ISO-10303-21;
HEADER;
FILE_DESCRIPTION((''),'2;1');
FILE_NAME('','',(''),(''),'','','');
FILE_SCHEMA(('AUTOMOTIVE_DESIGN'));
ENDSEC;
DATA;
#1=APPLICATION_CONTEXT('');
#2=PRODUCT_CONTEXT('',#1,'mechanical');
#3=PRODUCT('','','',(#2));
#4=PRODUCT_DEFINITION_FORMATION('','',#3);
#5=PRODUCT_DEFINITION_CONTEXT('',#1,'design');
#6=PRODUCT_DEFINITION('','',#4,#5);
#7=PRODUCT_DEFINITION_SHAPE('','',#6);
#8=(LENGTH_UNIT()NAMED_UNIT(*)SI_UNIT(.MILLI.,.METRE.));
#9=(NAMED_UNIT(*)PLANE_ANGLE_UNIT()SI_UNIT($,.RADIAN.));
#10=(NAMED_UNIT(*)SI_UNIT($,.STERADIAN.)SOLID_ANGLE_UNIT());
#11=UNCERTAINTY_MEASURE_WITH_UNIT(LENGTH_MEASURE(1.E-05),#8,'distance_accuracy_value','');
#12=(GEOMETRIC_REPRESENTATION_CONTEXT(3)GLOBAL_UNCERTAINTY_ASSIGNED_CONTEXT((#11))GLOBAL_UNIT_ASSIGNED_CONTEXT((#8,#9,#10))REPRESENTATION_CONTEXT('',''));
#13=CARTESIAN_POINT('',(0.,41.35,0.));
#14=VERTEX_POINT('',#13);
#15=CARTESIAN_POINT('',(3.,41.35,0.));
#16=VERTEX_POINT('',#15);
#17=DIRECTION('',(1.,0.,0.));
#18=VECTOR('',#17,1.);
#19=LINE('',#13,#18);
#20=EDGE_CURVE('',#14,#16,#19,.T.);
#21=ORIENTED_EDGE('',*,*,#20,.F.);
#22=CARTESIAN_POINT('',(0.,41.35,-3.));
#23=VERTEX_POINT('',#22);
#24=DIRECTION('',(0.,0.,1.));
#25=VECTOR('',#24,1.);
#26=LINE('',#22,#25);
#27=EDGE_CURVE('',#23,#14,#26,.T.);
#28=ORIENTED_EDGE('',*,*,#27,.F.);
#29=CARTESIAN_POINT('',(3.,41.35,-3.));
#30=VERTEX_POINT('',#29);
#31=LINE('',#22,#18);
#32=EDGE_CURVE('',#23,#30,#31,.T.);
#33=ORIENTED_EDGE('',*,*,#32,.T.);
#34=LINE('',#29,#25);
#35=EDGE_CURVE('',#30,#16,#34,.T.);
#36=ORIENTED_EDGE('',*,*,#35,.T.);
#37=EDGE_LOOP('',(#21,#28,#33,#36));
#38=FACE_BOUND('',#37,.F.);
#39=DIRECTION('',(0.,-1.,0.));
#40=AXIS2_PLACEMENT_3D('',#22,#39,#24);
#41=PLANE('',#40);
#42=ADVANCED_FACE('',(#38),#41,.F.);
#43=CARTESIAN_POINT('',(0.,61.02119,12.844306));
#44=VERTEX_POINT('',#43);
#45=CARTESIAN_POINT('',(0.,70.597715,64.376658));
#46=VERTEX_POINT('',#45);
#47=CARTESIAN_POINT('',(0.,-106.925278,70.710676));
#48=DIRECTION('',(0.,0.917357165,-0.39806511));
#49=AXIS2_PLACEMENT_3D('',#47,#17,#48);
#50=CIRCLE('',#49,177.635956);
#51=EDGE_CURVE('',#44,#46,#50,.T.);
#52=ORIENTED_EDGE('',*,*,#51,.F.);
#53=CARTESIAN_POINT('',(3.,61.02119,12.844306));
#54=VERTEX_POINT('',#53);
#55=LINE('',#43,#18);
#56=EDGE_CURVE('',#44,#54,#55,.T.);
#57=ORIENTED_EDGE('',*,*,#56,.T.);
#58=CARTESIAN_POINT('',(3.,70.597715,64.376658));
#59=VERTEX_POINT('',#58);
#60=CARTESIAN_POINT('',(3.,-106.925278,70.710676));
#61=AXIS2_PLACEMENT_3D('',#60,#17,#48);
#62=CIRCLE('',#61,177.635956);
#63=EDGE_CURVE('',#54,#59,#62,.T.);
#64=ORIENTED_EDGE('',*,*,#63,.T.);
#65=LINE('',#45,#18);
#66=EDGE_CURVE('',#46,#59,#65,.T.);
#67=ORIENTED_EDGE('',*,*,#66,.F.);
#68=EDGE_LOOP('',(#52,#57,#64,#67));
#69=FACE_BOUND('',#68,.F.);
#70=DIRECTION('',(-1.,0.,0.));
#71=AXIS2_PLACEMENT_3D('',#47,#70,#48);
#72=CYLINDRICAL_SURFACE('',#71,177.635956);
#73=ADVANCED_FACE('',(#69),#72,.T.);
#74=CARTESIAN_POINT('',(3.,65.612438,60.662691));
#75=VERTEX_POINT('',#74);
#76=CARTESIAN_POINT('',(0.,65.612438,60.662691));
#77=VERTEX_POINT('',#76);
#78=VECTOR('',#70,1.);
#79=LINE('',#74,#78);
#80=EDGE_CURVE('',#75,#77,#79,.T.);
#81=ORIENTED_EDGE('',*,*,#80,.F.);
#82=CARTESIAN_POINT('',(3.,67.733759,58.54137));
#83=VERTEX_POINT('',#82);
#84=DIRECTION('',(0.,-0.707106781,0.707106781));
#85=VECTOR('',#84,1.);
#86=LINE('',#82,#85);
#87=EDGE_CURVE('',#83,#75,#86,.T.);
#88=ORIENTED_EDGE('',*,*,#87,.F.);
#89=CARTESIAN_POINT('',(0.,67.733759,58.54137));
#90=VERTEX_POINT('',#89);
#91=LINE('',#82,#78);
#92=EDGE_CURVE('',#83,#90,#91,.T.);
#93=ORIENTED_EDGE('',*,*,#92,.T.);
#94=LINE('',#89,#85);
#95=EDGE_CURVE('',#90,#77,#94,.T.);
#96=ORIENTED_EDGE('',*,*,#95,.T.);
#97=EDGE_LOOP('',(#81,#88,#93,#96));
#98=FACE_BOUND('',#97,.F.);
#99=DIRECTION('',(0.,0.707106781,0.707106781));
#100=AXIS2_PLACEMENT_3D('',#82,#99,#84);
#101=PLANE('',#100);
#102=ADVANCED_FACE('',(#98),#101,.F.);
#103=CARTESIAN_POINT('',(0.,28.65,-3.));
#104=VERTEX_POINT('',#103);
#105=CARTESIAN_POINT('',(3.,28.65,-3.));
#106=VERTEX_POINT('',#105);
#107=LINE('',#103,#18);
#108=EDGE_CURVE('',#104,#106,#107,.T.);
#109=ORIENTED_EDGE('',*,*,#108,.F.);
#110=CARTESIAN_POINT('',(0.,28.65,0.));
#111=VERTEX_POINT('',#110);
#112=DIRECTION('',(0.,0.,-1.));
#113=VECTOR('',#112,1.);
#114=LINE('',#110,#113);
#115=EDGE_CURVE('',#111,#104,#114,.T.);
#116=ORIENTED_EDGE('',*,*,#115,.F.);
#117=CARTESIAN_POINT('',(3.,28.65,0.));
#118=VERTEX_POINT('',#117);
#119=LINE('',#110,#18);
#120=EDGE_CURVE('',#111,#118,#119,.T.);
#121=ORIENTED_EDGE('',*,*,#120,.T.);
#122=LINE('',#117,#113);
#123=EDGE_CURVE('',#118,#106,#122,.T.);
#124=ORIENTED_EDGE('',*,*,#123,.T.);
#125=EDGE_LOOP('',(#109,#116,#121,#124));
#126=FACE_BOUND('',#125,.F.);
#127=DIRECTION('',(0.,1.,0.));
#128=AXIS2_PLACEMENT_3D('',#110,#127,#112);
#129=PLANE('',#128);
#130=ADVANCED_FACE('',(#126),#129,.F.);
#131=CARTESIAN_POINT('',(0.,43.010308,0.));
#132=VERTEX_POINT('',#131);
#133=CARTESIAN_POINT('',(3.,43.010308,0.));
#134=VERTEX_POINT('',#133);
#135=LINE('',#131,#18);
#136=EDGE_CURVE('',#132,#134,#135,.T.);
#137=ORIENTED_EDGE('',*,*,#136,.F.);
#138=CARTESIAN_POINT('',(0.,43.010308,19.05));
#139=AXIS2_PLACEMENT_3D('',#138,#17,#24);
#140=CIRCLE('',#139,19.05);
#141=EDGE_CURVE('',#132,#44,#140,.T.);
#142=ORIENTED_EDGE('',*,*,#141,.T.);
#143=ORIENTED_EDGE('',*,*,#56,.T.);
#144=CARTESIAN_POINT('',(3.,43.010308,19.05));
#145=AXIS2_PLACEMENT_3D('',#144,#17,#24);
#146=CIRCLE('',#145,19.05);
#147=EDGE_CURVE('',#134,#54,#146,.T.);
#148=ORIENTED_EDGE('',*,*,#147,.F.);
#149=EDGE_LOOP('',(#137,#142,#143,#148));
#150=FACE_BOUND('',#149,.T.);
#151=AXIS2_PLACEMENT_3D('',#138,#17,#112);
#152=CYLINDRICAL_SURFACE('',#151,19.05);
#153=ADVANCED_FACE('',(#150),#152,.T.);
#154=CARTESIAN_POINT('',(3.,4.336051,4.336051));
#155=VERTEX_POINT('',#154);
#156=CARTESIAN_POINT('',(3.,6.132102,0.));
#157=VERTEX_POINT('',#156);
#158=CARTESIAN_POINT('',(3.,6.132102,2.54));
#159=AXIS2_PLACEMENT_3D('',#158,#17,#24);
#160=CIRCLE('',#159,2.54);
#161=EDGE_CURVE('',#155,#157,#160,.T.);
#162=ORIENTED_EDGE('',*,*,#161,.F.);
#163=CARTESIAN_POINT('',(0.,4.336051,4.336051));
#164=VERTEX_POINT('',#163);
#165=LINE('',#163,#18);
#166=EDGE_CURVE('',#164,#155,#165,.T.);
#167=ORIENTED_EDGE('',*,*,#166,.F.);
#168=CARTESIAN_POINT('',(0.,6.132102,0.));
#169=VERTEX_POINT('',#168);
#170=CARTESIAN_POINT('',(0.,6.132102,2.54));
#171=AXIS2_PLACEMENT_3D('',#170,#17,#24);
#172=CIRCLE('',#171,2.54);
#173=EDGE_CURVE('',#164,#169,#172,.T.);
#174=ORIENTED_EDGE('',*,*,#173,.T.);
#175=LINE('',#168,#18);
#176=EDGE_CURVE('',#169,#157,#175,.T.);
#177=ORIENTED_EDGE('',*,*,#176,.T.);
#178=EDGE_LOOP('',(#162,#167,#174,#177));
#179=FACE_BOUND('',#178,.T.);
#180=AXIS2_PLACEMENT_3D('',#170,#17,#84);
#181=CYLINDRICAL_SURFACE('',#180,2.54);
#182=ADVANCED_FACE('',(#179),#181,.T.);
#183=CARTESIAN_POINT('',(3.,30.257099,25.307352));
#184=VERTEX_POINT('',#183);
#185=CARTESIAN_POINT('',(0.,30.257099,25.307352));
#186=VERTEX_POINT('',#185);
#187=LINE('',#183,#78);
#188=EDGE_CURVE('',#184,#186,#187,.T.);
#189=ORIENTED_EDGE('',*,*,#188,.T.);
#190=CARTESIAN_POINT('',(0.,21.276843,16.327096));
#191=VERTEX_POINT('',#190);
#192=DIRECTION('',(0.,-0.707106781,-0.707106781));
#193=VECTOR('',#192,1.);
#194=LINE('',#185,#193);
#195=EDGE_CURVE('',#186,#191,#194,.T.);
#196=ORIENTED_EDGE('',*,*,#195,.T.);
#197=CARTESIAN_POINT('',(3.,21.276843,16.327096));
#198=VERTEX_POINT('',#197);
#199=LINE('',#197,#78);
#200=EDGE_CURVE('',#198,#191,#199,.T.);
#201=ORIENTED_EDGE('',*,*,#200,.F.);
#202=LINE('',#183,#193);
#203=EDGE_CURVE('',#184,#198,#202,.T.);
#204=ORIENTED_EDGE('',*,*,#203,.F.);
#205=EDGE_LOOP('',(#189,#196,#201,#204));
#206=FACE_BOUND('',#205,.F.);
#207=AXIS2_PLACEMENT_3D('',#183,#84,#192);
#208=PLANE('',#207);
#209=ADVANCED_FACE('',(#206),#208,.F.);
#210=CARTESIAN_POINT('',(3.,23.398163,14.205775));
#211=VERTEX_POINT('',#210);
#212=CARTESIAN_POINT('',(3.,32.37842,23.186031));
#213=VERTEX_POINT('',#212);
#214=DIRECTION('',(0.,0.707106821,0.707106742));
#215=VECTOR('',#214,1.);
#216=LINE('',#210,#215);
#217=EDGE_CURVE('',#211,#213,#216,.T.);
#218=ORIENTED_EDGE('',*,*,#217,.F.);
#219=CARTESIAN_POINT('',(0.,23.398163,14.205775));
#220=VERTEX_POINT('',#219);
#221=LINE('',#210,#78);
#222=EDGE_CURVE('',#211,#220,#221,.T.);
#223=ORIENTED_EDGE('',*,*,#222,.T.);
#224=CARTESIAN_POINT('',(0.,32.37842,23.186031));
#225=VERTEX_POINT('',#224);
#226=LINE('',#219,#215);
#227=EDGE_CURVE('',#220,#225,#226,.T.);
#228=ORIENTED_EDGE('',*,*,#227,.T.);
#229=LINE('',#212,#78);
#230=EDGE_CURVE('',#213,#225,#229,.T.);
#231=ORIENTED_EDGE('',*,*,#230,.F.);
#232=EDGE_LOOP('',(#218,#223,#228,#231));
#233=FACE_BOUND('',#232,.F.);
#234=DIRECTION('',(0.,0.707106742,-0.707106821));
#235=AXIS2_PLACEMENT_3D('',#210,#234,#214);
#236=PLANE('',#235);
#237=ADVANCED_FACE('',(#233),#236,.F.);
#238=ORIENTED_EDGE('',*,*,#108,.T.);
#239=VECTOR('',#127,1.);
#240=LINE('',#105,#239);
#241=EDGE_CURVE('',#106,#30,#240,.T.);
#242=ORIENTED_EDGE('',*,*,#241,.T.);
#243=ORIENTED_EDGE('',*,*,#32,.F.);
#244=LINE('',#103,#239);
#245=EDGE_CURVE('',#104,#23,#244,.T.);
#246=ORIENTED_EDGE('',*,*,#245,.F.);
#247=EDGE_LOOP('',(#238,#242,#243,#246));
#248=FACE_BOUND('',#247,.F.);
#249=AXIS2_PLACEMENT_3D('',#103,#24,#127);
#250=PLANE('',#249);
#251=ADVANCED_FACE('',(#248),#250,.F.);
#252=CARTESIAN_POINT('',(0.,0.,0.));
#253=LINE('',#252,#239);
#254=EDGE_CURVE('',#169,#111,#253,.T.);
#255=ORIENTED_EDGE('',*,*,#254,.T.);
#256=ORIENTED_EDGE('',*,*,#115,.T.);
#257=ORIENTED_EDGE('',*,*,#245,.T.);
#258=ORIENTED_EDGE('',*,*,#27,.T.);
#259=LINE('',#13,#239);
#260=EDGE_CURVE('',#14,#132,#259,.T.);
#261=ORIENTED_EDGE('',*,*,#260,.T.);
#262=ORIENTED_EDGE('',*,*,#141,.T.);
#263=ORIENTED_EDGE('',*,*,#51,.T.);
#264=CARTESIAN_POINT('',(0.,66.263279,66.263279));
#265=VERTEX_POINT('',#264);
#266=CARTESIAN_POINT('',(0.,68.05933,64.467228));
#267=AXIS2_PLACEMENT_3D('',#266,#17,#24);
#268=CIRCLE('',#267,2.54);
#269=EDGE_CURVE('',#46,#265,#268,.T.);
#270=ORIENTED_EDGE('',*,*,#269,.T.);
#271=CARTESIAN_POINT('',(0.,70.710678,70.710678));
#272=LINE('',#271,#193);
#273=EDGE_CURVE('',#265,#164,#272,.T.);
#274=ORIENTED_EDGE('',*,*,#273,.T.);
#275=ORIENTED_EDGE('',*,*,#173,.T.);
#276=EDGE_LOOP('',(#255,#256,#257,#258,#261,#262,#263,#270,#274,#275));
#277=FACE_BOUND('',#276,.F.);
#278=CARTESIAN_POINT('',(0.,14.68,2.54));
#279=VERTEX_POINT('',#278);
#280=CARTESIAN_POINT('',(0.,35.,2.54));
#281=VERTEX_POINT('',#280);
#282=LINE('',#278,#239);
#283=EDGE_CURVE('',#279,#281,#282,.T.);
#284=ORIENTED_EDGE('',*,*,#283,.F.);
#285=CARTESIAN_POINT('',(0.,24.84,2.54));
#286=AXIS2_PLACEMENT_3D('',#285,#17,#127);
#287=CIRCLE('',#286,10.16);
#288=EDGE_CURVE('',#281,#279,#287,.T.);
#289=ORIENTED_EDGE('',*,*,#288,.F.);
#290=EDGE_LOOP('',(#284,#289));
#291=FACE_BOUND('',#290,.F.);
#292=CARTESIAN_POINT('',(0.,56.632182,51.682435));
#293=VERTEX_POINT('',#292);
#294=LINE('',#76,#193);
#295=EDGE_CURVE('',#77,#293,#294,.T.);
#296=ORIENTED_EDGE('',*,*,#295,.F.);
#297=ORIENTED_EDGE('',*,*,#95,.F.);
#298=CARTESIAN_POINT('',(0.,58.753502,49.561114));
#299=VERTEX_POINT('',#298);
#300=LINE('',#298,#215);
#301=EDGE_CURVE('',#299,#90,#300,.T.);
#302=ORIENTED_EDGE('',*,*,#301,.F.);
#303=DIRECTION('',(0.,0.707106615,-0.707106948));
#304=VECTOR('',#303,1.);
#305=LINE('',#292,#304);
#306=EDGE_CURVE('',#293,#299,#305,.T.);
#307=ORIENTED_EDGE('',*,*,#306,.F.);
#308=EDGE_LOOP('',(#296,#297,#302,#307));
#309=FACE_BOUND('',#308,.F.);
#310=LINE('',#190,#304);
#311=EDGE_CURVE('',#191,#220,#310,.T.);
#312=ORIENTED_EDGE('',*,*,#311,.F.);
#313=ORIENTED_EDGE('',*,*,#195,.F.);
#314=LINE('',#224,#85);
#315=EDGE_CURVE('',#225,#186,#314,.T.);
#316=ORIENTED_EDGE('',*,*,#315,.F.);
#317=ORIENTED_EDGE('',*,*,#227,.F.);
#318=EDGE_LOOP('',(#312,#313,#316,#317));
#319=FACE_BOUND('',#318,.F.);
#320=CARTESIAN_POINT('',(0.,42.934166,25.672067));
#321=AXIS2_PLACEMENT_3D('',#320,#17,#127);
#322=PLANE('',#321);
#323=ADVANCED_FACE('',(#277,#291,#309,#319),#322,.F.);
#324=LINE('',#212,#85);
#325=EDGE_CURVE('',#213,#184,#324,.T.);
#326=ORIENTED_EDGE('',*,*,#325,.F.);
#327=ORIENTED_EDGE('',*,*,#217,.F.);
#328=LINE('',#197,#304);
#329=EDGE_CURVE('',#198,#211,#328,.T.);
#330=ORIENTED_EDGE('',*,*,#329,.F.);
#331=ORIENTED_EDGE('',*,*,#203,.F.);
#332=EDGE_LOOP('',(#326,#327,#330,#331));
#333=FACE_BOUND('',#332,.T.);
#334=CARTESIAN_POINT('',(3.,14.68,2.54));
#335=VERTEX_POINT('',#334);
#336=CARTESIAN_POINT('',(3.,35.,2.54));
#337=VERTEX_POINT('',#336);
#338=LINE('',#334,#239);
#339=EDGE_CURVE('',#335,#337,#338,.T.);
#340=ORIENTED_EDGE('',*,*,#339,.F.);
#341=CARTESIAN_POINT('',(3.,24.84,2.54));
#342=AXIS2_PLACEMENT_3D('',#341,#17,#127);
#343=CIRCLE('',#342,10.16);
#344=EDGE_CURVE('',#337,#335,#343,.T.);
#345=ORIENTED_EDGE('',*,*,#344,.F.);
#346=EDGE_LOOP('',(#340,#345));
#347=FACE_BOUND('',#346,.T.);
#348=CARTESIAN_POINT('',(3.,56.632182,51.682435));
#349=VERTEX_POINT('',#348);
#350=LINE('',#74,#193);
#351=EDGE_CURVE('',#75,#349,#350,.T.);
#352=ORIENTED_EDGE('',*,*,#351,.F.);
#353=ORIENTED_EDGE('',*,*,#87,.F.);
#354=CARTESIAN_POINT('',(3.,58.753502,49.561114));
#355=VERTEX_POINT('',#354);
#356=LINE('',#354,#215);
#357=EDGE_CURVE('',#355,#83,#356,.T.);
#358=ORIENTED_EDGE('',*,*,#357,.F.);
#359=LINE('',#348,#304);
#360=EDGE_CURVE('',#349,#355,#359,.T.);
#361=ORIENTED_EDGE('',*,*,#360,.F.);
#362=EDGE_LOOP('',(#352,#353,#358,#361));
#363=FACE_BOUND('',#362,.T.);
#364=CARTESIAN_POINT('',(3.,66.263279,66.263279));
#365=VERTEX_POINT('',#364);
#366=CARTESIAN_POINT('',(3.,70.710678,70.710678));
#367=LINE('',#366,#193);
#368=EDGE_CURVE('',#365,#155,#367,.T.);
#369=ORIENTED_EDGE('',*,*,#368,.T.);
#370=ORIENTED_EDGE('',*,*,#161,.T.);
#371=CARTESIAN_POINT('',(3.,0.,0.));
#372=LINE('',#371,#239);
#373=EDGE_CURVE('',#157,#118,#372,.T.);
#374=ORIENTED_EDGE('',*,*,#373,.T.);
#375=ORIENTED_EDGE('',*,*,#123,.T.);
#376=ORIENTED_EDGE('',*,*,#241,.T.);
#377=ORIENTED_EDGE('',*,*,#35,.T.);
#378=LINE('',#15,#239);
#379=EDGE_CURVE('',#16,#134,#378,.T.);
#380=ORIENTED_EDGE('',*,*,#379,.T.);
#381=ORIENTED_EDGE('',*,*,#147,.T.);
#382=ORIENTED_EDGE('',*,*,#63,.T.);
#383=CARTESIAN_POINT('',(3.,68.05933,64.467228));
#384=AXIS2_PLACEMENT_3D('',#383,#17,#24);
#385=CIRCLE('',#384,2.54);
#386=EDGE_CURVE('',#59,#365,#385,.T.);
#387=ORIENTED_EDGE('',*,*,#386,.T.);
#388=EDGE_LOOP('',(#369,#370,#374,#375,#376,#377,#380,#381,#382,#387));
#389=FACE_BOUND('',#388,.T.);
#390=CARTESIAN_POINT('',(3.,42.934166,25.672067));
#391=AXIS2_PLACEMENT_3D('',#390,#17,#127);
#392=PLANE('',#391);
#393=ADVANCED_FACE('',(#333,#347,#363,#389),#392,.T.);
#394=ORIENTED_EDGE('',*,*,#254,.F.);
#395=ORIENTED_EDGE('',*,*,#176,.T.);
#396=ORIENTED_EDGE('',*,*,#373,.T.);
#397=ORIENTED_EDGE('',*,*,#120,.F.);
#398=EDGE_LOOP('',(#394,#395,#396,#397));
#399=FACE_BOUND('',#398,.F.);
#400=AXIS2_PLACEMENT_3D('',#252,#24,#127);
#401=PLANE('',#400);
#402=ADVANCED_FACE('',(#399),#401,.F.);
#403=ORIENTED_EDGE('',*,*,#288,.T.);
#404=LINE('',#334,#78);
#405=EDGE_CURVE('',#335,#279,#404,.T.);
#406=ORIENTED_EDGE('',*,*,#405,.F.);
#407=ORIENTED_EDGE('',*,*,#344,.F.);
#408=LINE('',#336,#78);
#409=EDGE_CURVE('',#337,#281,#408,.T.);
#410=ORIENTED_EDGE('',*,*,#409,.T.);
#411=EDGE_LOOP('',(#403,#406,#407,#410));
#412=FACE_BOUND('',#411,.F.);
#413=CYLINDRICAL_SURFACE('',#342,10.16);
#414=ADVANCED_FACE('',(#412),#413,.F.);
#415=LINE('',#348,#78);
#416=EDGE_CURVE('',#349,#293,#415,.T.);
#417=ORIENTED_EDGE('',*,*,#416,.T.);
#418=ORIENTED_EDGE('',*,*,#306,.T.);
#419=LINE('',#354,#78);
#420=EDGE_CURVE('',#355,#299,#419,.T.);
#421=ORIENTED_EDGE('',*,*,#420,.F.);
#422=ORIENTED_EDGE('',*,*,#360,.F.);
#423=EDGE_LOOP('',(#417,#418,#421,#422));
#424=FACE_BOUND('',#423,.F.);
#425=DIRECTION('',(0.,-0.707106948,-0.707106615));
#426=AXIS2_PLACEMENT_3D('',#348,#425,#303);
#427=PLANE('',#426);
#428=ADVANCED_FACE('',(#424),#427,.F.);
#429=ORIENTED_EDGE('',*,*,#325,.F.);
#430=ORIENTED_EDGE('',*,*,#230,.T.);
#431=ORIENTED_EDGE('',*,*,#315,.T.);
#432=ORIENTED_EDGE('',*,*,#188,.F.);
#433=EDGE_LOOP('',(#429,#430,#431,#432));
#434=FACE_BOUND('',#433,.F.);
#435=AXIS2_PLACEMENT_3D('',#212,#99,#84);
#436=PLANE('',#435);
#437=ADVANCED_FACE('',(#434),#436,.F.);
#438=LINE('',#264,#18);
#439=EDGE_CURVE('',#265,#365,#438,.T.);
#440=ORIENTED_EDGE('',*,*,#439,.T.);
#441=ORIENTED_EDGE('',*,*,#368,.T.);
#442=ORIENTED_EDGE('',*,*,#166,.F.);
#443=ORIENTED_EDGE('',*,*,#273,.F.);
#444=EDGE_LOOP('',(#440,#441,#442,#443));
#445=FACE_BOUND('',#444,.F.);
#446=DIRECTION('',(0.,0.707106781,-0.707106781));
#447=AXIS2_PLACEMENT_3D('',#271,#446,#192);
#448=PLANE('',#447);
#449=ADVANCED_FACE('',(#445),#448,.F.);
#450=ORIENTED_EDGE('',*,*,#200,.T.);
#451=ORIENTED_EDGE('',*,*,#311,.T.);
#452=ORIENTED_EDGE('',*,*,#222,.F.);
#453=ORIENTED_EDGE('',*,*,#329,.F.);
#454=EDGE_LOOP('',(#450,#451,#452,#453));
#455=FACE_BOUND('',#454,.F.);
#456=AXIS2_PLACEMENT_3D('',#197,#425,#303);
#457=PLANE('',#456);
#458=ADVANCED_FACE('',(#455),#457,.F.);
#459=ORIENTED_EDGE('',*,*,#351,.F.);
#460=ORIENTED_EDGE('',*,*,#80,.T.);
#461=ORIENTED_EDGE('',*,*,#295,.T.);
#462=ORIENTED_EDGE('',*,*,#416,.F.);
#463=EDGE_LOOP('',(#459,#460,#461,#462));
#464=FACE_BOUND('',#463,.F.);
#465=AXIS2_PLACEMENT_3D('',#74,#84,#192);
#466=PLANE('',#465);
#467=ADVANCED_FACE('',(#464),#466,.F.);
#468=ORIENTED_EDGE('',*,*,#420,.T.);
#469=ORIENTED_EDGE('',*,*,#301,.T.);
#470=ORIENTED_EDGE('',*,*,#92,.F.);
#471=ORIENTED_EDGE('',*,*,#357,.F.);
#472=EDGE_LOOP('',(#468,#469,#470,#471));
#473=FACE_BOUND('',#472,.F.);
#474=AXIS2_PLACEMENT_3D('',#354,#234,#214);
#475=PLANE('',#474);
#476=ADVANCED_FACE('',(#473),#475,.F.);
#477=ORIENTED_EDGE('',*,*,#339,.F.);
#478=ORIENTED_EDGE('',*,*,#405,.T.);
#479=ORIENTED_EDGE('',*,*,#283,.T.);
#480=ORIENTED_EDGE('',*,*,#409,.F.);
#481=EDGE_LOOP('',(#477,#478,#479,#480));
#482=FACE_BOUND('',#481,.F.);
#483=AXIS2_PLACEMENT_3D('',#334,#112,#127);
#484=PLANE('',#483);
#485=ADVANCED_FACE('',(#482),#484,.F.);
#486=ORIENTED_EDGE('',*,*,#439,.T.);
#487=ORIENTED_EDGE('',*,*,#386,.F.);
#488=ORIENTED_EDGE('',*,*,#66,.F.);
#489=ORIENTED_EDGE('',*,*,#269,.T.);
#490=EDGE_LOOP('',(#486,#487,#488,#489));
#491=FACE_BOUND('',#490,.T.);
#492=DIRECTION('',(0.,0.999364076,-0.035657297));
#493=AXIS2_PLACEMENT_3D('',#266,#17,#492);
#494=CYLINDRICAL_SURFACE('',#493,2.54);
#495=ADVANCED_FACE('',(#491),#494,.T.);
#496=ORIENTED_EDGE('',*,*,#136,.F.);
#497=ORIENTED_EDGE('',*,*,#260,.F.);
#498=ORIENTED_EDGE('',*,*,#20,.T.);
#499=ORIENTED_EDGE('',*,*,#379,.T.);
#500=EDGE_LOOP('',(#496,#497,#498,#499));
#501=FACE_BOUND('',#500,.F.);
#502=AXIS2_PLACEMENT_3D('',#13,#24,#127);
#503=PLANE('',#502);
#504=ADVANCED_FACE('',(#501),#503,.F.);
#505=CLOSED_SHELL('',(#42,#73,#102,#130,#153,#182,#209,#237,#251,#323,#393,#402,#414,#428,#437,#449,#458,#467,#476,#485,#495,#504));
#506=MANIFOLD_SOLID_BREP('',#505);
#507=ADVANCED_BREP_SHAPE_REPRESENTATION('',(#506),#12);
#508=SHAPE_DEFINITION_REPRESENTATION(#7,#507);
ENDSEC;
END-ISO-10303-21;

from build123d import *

# Parameters (mm, degrees)
F1_DEPTH = 3
F2_R     = 19.05
F3_R     = 2.54
F5_DEPTH = 3
F7_DEPTH = 3


with BuildPart() as f1:
    # F0 (on Right) → F1 (new body)
    with BuildSketch(Plane.YZ):
        with BuildLine():
            Line((70.710678, 70.710678), (0, 0))
            Line((0, 0), (28.65, 0))
            Line((28.65, 0), (28.65, -3))
            Line((28.65, -3), (41.35, -3))
            Line((41.35, -3), (41.35, 0))
            Line((41.35, 0), (56.030339, 0))
            ThreePointArc((56.030339, 0), (67.001876, 34.601426), (70.710678, 70.710678))
        make_face()
    extrude(amount=F1_DEPTH)

    # F2
    f2_edges = [f1.edges().sort_by_distance(p)[0] for p in [
        (1.5, 56.030339, 0),
    ]]
    fillet(f2_edges, radius=F2_R)

    # F3
    f3_edges = [f1.edges().sort_by_distance(p)[0] for p in [
        (1.5, 70.710678, 70.710678),
        (1.5, 0, 0),
    ]]
    fillet(f3_edges, radius=F3_R)

    # F4 (on face) → F5 (cut, through all)
    with BuildSketch(Plane.YZ.offset(3)):
        Polygon((30.257099, 25.307352), (21.276843, 16.327096), (23.398163, 14.205775), (32.37842, 23.186031), align=None)
        Polygon((65.612438, 60.662691), (56.632182, 51.682435), (58.753502, 49.561114), (67.733759, 58.54137), align=None)
    extrude(amount=-F5_DEPTH, mode=Mode.SUBTRACT)

    # F6 (on face) → F7 (cut, through all)
    with BuildSketch(Plane.YZ.offset(3)):
        with BuildLine():
            Line((14.68, 2.54), (35, 2.54))
            ThreePointArc((35, 2.54), (24.84, 12.7), (14.68, 2.54))
        make_face()
    extrude(amount=-F7_DEPTH, mode=Mode.SUBTRACT)


solid = f1.part
